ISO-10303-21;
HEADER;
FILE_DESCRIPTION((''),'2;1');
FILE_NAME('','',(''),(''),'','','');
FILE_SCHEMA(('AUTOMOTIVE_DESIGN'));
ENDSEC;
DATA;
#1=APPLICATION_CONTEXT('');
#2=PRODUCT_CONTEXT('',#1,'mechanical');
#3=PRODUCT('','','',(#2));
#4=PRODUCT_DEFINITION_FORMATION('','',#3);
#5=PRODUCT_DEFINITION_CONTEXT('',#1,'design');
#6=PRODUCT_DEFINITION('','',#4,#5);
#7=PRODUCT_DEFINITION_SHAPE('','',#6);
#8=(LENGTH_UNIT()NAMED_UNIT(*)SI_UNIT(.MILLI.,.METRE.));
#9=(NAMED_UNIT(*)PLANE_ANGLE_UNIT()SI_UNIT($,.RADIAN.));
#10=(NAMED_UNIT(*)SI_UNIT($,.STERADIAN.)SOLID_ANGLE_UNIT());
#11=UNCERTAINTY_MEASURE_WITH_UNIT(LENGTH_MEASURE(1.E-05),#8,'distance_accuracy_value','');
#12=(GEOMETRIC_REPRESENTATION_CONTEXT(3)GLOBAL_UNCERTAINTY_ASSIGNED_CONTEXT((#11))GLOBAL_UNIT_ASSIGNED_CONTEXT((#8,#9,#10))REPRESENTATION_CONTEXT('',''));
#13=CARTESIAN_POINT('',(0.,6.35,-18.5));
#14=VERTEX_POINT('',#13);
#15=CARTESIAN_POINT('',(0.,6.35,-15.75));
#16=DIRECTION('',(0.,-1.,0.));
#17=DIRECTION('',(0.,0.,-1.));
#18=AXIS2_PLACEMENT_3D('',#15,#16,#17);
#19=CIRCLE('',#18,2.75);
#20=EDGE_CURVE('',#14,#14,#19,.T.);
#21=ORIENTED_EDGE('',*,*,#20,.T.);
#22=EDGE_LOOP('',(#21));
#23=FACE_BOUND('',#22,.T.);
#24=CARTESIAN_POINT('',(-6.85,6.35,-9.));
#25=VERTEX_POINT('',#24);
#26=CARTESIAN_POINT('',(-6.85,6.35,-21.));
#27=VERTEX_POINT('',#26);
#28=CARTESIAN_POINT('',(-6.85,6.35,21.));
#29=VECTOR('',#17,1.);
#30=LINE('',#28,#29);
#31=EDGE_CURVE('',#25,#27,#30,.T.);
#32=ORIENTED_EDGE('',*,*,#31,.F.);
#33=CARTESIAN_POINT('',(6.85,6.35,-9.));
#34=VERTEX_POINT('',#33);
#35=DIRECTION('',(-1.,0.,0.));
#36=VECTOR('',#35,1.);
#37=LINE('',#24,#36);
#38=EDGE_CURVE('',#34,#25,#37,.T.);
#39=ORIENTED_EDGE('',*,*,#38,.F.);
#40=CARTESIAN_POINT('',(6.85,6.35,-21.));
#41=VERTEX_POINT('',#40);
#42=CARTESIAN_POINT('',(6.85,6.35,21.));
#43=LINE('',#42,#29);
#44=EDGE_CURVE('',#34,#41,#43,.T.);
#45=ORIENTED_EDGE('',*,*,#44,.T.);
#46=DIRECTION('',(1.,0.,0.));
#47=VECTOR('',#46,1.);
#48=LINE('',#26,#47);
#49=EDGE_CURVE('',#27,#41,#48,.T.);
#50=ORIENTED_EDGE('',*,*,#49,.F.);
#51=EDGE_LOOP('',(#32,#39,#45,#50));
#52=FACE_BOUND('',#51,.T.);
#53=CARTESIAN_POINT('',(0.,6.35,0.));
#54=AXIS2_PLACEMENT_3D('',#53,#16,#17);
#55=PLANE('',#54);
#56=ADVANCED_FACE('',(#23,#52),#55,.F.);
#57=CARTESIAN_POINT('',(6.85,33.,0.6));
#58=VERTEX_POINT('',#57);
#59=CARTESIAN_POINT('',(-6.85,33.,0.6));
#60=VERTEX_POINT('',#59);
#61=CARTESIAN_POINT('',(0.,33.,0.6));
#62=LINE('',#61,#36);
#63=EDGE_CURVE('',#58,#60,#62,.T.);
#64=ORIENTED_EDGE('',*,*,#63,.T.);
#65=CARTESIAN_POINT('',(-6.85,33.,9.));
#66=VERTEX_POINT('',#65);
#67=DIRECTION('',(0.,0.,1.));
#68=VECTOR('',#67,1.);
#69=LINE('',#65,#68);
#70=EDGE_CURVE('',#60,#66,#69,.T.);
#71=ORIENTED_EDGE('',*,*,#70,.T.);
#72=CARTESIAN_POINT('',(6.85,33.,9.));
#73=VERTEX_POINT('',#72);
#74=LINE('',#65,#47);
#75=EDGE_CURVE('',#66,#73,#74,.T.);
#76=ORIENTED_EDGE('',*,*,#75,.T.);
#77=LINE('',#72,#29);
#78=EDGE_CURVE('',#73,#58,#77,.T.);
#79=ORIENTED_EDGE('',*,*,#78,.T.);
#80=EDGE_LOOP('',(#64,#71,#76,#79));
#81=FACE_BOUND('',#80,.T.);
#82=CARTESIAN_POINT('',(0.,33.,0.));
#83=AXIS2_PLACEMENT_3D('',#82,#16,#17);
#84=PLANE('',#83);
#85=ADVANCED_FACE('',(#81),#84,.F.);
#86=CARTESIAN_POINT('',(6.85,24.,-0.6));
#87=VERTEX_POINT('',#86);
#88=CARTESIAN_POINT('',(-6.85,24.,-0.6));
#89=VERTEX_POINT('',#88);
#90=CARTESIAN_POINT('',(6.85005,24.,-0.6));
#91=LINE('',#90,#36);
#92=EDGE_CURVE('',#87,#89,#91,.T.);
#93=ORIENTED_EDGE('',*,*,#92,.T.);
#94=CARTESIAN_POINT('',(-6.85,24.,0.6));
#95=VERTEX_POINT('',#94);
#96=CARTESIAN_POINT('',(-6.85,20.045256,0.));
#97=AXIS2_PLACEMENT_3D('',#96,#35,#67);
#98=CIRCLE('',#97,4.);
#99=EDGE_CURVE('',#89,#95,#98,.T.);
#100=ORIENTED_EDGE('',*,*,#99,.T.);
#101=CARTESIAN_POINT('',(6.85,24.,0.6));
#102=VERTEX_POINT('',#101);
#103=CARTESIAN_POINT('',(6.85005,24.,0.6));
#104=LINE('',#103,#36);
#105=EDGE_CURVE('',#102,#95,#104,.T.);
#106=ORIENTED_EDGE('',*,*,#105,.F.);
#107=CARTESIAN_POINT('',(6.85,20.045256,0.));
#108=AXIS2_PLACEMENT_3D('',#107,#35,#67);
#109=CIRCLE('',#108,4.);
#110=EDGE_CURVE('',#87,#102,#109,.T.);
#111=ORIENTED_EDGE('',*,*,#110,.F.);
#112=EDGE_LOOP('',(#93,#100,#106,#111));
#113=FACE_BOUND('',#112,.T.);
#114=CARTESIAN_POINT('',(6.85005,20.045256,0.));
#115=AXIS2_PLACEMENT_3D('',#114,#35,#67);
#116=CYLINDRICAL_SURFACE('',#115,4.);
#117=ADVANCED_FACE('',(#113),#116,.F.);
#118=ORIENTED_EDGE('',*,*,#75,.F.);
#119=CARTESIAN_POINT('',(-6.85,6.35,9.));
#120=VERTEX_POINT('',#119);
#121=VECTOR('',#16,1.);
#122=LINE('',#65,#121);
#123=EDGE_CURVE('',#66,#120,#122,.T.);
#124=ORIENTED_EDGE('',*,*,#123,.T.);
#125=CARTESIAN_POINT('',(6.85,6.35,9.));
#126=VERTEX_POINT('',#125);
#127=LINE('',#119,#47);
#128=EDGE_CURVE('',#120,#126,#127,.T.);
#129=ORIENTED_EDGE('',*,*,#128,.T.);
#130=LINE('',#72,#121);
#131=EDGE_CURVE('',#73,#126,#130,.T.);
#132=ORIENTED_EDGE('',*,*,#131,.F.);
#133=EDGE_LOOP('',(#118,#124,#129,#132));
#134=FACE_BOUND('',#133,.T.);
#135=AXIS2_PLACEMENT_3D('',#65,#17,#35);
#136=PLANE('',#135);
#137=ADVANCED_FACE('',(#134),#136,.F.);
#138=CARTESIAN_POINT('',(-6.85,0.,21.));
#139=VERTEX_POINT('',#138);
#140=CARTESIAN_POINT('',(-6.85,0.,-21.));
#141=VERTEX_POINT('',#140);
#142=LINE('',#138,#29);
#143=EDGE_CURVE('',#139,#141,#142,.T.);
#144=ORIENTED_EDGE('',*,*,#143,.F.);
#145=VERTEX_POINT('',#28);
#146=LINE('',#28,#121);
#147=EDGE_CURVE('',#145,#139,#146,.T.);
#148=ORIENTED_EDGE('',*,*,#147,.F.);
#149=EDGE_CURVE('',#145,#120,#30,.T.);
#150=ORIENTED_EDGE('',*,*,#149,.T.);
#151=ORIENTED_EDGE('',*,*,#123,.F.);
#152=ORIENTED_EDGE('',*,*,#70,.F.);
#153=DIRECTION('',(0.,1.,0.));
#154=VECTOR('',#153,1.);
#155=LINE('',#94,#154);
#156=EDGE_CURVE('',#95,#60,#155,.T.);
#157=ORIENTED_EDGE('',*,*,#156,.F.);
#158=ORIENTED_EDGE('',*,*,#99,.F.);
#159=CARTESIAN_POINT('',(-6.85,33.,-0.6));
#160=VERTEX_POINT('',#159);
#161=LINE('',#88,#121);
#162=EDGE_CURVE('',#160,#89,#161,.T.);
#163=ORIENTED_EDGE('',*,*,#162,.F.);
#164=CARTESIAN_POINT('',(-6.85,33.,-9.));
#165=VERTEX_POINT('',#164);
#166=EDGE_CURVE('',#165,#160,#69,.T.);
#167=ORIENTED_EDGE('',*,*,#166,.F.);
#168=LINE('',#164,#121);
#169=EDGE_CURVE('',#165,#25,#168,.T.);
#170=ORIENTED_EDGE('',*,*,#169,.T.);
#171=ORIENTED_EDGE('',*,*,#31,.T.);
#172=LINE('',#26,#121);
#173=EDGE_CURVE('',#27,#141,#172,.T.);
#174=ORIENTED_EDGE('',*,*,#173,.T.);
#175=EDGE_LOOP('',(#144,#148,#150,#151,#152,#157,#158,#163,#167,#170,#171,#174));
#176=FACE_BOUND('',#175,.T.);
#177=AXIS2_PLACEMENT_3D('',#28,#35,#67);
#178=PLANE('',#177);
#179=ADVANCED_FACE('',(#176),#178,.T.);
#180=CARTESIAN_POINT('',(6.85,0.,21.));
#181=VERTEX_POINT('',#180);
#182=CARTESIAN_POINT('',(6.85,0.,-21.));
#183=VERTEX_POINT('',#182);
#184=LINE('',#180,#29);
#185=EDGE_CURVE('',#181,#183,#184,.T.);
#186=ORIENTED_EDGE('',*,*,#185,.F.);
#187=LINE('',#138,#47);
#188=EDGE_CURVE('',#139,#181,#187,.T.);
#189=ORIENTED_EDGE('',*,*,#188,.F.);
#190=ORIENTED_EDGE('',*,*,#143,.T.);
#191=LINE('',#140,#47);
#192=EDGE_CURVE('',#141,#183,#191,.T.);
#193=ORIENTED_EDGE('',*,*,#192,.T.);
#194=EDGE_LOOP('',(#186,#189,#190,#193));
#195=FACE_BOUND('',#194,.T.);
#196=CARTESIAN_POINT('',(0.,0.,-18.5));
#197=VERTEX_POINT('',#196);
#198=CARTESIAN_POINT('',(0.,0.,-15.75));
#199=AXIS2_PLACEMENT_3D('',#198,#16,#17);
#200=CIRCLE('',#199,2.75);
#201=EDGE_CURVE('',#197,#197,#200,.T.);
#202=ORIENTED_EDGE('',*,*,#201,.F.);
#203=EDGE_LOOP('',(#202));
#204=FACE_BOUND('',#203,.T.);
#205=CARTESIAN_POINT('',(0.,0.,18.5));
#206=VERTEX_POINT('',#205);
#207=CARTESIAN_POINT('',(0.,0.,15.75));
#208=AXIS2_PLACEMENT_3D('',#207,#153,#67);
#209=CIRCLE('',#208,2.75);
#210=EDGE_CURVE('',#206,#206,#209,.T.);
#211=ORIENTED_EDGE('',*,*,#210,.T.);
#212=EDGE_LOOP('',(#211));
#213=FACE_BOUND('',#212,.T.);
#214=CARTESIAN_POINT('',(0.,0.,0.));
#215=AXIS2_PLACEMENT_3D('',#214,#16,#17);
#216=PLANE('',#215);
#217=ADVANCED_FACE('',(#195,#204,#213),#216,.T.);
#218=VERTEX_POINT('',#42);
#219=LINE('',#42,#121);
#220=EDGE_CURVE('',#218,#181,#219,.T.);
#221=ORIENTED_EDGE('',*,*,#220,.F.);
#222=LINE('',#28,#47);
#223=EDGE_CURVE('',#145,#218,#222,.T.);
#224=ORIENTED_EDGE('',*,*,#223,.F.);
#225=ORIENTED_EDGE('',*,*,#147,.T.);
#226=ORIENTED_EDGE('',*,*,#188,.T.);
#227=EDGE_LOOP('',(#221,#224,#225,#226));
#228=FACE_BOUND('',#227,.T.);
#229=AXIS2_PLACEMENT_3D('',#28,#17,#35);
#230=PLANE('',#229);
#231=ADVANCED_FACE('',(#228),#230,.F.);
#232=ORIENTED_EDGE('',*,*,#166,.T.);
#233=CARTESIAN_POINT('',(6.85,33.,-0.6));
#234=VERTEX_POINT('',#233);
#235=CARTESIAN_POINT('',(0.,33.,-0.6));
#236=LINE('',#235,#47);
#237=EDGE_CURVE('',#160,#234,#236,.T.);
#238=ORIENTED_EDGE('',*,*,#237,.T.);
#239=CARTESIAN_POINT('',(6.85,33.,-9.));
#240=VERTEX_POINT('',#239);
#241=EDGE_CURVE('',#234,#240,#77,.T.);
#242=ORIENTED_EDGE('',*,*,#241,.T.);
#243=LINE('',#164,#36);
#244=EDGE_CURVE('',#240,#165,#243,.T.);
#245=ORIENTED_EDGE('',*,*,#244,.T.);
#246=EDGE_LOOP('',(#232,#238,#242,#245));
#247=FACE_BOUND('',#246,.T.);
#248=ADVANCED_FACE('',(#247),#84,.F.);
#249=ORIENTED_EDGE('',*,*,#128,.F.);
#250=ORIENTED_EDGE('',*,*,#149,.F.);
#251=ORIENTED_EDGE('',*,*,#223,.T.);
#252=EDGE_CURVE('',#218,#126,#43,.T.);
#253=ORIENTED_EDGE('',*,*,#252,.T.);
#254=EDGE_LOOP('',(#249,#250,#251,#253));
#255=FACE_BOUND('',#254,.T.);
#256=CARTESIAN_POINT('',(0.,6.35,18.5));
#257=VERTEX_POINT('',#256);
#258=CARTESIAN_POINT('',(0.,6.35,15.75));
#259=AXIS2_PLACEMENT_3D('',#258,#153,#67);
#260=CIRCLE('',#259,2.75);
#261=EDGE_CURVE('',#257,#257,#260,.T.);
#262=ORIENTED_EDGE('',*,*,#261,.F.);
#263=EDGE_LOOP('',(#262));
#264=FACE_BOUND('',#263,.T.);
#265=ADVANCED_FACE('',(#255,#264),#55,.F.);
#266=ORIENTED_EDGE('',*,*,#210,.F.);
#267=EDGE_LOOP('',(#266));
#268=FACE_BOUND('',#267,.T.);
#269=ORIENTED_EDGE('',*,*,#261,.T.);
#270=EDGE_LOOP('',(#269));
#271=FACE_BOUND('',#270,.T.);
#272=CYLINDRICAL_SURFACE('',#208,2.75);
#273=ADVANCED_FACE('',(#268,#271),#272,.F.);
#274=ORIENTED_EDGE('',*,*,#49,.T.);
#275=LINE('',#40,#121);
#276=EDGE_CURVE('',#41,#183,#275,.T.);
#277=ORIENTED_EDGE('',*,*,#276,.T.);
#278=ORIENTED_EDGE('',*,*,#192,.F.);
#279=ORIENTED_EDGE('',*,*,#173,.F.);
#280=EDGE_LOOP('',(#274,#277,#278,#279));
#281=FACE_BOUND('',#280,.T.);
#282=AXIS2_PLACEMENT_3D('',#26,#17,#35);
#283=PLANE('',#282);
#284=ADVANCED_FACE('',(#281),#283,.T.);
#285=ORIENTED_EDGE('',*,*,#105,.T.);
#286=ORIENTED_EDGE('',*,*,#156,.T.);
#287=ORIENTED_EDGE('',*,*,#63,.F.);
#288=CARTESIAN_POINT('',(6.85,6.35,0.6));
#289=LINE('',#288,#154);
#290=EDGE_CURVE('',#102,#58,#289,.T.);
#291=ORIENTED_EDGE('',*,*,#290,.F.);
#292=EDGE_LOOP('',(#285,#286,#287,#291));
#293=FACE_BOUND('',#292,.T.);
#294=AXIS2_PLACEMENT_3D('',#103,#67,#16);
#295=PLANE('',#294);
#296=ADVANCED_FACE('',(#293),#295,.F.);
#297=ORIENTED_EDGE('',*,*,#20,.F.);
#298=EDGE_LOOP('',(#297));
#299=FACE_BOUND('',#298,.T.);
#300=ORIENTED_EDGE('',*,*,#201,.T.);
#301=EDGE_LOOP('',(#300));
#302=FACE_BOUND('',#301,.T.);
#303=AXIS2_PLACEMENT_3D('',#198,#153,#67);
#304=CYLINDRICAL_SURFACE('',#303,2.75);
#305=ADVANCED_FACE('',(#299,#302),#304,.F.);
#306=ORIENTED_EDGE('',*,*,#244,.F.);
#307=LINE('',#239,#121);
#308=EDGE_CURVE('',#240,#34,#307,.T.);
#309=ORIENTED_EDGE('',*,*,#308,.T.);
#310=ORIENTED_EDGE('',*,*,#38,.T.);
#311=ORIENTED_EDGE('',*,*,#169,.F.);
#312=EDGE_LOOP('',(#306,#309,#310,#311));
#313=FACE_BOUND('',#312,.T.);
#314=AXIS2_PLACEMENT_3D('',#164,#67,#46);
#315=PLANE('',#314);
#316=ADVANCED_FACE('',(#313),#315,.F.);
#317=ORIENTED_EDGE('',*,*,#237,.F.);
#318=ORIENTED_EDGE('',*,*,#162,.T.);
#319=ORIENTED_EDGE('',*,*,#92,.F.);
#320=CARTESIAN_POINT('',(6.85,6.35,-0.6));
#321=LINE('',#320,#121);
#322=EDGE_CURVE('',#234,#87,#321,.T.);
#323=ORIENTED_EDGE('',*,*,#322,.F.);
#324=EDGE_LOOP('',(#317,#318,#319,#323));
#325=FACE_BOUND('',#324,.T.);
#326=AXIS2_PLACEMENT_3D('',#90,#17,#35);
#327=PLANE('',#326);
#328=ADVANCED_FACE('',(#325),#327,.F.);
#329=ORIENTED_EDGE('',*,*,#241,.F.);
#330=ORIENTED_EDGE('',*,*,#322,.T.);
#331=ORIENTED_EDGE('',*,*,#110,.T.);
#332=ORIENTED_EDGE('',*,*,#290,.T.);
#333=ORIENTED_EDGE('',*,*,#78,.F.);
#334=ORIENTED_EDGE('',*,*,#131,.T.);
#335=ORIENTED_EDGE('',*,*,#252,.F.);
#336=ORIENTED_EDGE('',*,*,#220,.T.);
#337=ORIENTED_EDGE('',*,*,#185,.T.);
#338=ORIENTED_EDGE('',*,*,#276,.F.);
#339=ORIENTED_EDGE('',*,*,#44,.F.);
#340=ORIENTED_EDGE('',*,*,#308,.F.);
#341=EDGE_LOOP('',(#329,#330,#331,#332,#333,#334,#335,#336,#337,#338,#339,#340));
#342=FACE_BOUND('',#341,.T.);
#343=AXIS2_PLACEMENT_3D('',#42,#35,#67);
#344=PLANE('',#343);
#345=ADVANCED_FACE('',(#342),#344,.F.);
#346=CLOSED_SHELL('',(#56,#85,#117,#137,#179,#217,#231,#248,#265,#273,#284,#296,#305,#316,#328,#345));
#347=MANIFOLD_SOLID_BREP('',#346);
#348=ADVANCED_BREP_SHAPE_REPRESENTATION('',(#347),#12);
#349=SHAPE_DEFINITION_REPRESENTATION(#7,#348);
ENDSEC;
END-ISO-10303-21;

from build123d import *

# Parameters (mm, degrees)
SKETCH1_W           = 13.7
SKETCH1_H           = 42
BOSS_EXTRUDE1_DEPTH = 6.35
SKETCH2_W           = 13.7
SKETCH2_H           = 18
BOSS_EXTRUDE2_DEPTH = 26.65
CUT_EXTRUDE1_DEPTH  = 14.7
SKETCH4_R           = 2.75
CUT_EXTRUDE2_DEPTH  = 7.35


with BuildPart() as part:
    # Sketch1 → Boss-Extrude1 (new body)
    with BuildSketch(Plane(origin=(0, 0, 0), x_dir=(1, 0, 0), z_dir=(0, 1, 0))):
        Rectangle(SKETCH1_W, SKETCH1_H)
    extrude(amount=BOSS_EXTRUDE1_DEPTH)

    # Sketch2 → Boss-Extrude2 (add)
    with BuildSketch(Plane(origin=(0, 6.35, 0), x_dir=(1, 0, 0), z_dir=(0, 1, 0))):
        Rectangle(SKETCH2_W, SKETCH2_H)
    extrude(amount=BOSS_EXTRUDE2_DEPTH)

    # Sketch3 → Cut-Extrude1 (cut, through all)
    with BuildSketch(Plane.ZY.offset(6.85)):
        with BuildLine():
            Line((-0.6, 24), (-0.6, 33))
            Line((-0.6, 33), (0.6, 33))
            Line((0.6, 33), (0.6, 24))
            ThreePointArc((0.6, 24), (0, 16.045256013), (-0.6, 24))
        make_face()
    extrude(amount=-CUT_EXTRUDE1_DEPTH, mode=Mode.SUBTRACT)

    # Sketch4 → Cut-Extrude2 (cut, through all)
    with BuildSketch(Plane(origin=(0, 6.35, 0), x_dir=(1, 0, 0), z_dir=(0, 1, 0))):
        with Locations((0, -15.75)):
            Circle(SKETCH4_R)
    cut_extrude2 = extrude(amount=-CUT_EXTRUDE2_DEPTH, mode=Mode.SUBTRACT)

    # Mirror1: Cut-Extrude2 across plane
    add(cut_extrude2.mirror(Plane.XY), mode=Mode.SUBTRACT)


solid = part.part
